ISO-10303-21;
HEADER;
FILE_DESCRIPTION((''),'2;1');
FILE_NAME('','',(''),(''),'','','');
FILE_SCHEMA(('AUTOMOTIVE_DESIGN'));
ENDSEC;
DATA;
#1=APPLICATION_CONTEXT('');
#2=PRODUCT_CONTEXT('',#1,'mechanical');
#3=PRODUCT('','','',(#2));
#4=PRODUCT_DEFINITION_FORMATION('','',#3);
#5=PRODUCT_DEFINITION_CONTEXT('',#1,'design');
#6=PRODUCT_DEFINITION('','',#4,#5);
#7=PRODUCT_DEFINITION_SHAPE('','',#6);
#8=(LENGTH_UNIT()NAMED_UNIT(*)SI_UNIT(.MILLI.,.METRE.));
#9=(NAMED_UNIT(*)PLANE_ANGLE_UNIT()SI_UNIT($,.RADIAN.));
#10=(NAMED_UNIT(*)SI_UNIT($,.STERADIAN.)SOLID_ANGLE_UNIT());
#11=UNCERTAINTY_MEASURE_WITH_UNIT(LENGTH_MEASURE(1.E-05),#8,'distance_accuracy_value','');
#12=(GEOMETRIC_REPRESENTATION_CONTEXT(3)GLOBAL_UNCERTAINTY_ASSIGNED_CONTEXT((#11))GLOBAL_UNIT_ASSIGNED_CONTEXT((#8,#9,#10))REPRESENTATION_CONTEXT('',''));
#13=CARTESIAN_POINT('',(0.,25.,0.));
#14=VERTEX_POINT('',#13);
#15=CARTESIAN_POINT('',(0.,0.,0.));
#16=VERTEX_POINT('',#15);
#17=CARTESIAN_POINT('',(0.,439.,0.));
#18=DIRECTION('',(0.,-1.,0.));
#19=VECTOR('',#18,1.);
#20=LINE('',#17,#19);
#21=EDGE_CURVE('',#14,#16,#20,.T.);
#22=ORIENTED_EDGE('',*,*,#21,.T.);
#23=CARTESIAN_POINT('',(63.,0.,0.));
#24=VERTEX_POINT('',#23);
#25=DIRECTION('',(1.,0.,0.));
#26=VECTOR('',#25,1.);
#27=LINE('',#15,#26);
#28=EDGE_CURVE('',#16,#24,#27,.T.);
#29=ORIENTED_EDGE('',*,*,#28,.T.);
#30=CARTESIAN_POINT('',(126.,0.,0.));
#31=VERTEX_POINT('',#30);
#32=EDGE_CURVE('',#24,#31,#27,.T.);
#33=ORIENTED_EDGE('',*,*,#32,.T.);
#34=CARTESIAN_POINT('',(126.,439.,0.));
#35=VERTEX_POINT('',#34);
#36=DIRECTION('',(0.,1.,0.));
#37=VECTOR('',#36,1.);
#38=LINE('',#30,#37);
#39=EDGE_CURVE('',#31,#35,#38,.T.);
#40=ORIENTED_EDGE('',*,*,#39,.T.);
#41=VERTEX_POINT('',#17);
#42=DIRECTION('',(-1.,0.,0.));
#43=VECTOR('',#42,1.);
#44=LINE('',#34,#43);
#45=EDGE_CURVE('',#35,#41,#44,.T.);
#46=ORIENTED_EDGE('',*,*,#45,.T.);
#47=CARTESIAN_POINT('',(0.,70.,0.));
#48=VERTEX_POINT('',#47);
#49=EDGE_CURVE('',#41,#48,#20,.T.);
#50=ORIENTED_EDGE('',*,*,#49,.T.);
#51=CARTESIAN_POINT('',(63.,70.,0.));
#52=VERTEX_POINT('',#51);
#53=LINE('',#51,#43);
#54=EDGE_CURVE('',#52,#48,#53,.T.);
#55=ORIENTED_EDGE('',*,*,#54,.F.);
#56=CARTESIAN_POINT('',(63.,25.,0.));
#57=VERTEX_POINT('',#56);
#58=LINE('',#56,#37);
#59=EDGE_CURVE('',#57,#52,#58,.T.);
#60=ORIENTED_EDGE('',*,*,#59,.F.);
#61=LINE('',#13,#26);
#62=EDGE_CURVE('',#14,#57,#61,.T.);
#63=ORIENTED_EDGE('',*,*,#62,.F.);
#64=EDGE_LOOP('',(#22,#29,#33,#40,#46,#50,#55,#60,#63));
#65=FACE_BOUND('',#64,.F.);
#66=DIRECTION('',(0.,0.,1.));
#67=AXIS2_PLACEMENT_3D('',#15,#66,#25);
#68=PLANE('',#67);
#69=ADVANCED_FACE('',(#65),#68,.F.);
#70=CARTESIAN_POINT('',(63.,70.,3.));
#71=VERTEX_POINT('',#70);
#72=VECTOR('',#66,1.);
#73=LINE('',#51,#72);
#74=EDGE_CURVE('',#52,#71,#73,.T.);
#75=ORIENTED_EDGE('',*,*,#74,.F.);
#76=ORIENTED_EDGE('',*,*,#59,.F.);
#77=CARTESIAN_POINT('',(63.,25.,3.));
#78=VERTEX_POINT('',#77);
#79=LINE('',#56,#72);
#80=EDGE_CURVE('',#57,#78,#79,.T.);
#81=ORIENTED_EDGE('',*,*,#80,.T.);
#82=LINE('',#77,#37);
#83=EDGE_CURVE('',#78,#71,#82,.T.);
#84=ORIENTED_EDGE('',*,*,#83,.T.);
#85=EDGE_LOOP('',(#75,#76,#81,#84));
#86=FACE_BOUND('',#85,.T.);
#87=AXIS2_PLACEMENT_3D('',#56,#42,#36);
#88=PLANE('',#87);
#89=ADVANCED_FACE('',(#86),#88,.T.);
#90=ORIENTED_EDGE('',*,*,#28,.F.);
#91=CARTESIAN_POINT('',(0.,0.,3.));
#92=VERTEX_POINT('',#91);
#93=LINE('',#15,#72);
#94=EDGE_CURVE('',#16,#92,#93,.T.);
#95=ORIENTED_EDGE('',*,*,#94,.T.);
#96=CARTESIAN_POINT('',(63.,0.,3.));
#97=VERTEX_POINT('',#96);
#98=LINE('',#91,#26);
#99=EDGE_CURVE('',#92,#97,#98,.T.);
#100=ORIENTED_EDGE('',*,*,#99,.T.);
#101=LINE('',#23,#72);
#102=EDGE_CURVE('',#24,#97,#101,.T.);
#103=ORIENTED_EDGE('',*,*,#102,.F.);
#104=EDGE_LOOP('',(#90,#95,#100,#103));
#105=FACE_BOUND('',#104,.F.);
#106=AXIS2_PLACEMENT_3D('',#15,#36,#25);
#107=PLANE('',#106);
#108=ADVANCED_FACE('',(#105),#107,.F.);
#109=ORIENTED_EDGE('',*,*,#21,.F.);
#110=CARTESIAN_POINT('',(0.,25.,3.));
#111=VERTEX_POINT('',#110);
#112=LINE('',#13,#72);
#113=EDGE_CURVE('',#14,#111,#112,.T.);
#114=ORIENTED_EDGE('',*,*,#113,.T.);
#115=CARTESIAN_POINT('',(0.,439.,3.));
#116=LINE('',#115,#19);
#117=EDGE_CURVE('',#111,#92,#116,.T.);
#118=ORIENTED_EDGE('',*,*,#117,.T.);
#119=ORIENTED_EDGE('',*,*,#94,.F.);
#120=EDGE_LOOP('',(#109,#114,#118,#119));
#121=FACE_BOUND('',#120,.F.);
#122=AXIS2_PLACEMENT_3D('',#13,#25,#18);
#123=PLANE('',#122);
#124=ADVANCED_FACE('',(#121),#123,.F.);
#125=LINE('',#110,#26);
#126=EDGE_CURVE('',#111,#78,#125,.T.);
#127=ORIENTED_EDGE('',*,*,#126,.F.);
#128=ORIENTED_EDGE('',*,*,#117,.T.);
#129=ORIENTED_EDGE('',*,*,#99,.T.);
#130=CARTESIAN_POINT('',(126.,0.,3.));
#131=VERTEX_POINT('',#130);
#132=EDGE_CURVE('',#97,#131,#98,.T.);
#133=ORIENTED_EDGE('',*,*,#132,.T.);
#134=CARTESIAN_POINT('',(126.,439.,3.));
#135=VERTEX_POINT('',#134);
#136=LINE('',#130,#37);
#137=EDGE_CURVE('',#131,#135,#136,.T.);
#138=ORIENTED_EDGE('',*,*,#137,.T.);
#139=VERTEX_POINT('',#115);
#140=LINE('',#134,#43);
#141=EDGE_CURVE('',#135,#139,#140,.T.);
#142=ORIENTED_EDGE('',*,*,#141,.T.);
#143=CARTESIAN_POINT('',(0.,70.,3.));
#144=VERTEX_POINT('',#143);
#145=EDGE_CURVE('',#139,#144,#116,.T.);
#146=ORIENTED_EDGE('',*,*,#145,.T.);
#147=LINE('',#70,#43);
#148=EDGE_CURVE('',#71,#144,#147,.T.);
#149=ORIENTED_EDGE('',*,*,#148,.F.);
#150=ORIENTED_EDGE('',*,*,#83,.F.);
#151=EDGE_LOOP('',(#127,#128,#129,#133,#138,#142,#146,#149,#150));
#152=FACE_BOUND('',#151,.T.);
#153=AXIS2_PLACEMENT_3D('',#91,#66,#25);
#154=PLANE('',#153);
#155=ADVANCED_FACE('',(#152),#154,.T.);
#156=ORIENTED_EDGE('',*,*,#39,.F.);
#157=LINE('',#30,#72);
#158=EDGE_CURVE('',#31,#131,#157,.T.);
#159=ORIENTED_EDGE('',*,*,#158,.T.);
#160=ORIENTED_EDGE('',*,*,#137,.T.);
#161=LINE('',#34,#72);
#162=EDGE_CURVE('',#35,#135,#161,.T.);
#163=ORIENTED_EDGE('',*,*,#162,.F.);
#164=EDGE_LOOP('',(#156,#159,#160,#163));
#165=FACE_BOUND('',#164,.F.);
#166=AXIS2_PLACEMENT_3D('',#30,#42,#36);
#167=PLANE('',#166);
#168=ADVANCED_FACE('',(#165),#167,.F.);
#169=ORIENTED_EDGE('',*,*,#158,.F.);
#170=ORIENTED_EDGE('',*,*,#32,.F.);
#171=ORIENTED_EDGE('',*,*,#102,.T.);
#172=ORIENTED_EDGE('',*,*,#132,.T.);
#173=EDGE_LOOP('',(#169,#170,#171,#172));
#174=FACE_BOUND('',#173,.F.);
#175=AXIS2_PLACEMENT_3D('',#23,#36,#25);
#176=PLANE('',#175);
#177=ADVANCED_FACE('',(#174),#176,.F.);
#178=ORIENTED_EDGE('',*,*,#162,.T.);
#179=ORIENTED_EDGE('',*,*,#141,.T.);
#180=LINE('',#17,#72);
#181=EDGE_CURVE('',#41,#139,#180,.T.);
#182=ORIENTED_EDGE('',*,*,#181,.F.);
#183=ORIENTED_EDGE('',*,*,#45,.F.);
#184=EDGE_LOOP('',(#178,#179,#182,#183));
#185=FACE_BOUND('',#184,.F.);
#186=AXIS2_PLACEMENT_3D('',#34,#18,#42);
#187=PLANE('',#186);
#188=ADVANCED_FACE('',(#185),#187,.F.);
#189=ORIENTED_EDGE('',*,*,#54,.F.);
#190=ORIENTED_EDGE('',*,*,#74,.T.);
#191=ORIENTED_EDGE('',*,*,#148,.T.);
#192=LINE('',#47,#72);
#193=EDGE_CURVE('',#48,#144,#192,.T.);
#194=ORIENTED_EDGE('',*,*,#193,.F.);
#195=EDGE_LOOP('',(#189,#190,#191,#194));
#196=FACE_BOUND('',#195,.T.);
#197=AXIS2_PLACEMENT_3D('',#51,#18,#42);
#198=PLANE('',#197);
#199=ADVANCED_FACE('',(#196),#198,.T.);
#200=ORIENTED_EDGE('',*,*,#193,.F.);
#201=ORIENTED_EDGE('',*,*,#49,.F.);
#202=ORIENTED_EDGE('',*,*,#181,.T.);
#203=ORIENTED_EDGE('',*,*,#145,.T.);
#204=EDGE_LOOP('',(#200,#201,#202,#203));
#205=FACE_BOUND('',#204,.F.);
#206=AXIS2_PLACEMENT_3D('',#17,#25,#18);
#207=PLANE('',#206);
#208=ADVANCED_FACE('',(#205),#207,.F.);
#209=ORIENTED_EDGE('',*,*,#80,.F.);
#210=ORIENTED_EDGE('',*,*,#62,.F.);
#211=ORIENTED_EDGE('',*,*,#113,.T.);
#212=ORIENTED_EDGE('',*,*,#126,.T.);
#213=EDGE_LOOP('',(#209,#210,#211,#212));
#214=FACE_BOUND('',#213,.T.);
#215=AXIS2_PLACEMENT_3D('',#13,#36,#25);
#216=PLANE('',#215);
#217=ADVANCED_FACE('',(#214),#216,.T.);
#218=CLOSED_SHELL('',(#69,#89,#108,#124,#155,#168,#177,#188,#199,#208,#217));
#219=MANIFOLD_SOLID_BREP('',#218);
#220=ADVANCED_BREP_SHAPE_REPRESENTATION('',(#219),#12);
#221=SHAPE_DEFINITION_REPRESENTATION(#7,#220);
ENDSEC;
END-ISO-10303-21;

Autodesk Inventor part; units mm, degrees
ref_plane "YZ Plane" through (0, 0, 0) normal (1, 0, 0) x (0, 1, 0)
ref_plane "XZ Plane" through (0, 0, 0) normal (0, 1, 0) x (-1, 0, 0)
ref_plane "XY Plane" through (0, 0, 0) normal (0, 0, 1) x (1, 0, 0)
sketch "Sketch2" plane through (0, 0, 0) normal (0, 0, 1) x (1, 0, 0)
  line L0 (0, 0) -> (126, 0)
  line L1 (126, 0) -> (126, 439)
  line L2 (126, 439) -> (0, 439)
  line L3 (0, 439) -> (0, 0)
  line L4 (0, 25) -> (63, 25)
  line L5 (63, 0) -> (0, 0)
  line L6 (0, 0) -> (0, 25)
  line L7 (63, 25) -> (63, 70)
  line L8 (63, 70) -> (0, 70)
  point P0 (63, 47.5)
  dimension "d0" = 126
  dimension "d1" = 439
  dimension "d2" = 25
  dimension "d3" = 45
  dimension "d4" = 63
extrude "Extrusion1" add sketch "Sketch2" along normal blind 3 contours L3 L4 L7 L8 L2 L1 L0
properties part number "ackleryk" material "PMMA Plastic"
